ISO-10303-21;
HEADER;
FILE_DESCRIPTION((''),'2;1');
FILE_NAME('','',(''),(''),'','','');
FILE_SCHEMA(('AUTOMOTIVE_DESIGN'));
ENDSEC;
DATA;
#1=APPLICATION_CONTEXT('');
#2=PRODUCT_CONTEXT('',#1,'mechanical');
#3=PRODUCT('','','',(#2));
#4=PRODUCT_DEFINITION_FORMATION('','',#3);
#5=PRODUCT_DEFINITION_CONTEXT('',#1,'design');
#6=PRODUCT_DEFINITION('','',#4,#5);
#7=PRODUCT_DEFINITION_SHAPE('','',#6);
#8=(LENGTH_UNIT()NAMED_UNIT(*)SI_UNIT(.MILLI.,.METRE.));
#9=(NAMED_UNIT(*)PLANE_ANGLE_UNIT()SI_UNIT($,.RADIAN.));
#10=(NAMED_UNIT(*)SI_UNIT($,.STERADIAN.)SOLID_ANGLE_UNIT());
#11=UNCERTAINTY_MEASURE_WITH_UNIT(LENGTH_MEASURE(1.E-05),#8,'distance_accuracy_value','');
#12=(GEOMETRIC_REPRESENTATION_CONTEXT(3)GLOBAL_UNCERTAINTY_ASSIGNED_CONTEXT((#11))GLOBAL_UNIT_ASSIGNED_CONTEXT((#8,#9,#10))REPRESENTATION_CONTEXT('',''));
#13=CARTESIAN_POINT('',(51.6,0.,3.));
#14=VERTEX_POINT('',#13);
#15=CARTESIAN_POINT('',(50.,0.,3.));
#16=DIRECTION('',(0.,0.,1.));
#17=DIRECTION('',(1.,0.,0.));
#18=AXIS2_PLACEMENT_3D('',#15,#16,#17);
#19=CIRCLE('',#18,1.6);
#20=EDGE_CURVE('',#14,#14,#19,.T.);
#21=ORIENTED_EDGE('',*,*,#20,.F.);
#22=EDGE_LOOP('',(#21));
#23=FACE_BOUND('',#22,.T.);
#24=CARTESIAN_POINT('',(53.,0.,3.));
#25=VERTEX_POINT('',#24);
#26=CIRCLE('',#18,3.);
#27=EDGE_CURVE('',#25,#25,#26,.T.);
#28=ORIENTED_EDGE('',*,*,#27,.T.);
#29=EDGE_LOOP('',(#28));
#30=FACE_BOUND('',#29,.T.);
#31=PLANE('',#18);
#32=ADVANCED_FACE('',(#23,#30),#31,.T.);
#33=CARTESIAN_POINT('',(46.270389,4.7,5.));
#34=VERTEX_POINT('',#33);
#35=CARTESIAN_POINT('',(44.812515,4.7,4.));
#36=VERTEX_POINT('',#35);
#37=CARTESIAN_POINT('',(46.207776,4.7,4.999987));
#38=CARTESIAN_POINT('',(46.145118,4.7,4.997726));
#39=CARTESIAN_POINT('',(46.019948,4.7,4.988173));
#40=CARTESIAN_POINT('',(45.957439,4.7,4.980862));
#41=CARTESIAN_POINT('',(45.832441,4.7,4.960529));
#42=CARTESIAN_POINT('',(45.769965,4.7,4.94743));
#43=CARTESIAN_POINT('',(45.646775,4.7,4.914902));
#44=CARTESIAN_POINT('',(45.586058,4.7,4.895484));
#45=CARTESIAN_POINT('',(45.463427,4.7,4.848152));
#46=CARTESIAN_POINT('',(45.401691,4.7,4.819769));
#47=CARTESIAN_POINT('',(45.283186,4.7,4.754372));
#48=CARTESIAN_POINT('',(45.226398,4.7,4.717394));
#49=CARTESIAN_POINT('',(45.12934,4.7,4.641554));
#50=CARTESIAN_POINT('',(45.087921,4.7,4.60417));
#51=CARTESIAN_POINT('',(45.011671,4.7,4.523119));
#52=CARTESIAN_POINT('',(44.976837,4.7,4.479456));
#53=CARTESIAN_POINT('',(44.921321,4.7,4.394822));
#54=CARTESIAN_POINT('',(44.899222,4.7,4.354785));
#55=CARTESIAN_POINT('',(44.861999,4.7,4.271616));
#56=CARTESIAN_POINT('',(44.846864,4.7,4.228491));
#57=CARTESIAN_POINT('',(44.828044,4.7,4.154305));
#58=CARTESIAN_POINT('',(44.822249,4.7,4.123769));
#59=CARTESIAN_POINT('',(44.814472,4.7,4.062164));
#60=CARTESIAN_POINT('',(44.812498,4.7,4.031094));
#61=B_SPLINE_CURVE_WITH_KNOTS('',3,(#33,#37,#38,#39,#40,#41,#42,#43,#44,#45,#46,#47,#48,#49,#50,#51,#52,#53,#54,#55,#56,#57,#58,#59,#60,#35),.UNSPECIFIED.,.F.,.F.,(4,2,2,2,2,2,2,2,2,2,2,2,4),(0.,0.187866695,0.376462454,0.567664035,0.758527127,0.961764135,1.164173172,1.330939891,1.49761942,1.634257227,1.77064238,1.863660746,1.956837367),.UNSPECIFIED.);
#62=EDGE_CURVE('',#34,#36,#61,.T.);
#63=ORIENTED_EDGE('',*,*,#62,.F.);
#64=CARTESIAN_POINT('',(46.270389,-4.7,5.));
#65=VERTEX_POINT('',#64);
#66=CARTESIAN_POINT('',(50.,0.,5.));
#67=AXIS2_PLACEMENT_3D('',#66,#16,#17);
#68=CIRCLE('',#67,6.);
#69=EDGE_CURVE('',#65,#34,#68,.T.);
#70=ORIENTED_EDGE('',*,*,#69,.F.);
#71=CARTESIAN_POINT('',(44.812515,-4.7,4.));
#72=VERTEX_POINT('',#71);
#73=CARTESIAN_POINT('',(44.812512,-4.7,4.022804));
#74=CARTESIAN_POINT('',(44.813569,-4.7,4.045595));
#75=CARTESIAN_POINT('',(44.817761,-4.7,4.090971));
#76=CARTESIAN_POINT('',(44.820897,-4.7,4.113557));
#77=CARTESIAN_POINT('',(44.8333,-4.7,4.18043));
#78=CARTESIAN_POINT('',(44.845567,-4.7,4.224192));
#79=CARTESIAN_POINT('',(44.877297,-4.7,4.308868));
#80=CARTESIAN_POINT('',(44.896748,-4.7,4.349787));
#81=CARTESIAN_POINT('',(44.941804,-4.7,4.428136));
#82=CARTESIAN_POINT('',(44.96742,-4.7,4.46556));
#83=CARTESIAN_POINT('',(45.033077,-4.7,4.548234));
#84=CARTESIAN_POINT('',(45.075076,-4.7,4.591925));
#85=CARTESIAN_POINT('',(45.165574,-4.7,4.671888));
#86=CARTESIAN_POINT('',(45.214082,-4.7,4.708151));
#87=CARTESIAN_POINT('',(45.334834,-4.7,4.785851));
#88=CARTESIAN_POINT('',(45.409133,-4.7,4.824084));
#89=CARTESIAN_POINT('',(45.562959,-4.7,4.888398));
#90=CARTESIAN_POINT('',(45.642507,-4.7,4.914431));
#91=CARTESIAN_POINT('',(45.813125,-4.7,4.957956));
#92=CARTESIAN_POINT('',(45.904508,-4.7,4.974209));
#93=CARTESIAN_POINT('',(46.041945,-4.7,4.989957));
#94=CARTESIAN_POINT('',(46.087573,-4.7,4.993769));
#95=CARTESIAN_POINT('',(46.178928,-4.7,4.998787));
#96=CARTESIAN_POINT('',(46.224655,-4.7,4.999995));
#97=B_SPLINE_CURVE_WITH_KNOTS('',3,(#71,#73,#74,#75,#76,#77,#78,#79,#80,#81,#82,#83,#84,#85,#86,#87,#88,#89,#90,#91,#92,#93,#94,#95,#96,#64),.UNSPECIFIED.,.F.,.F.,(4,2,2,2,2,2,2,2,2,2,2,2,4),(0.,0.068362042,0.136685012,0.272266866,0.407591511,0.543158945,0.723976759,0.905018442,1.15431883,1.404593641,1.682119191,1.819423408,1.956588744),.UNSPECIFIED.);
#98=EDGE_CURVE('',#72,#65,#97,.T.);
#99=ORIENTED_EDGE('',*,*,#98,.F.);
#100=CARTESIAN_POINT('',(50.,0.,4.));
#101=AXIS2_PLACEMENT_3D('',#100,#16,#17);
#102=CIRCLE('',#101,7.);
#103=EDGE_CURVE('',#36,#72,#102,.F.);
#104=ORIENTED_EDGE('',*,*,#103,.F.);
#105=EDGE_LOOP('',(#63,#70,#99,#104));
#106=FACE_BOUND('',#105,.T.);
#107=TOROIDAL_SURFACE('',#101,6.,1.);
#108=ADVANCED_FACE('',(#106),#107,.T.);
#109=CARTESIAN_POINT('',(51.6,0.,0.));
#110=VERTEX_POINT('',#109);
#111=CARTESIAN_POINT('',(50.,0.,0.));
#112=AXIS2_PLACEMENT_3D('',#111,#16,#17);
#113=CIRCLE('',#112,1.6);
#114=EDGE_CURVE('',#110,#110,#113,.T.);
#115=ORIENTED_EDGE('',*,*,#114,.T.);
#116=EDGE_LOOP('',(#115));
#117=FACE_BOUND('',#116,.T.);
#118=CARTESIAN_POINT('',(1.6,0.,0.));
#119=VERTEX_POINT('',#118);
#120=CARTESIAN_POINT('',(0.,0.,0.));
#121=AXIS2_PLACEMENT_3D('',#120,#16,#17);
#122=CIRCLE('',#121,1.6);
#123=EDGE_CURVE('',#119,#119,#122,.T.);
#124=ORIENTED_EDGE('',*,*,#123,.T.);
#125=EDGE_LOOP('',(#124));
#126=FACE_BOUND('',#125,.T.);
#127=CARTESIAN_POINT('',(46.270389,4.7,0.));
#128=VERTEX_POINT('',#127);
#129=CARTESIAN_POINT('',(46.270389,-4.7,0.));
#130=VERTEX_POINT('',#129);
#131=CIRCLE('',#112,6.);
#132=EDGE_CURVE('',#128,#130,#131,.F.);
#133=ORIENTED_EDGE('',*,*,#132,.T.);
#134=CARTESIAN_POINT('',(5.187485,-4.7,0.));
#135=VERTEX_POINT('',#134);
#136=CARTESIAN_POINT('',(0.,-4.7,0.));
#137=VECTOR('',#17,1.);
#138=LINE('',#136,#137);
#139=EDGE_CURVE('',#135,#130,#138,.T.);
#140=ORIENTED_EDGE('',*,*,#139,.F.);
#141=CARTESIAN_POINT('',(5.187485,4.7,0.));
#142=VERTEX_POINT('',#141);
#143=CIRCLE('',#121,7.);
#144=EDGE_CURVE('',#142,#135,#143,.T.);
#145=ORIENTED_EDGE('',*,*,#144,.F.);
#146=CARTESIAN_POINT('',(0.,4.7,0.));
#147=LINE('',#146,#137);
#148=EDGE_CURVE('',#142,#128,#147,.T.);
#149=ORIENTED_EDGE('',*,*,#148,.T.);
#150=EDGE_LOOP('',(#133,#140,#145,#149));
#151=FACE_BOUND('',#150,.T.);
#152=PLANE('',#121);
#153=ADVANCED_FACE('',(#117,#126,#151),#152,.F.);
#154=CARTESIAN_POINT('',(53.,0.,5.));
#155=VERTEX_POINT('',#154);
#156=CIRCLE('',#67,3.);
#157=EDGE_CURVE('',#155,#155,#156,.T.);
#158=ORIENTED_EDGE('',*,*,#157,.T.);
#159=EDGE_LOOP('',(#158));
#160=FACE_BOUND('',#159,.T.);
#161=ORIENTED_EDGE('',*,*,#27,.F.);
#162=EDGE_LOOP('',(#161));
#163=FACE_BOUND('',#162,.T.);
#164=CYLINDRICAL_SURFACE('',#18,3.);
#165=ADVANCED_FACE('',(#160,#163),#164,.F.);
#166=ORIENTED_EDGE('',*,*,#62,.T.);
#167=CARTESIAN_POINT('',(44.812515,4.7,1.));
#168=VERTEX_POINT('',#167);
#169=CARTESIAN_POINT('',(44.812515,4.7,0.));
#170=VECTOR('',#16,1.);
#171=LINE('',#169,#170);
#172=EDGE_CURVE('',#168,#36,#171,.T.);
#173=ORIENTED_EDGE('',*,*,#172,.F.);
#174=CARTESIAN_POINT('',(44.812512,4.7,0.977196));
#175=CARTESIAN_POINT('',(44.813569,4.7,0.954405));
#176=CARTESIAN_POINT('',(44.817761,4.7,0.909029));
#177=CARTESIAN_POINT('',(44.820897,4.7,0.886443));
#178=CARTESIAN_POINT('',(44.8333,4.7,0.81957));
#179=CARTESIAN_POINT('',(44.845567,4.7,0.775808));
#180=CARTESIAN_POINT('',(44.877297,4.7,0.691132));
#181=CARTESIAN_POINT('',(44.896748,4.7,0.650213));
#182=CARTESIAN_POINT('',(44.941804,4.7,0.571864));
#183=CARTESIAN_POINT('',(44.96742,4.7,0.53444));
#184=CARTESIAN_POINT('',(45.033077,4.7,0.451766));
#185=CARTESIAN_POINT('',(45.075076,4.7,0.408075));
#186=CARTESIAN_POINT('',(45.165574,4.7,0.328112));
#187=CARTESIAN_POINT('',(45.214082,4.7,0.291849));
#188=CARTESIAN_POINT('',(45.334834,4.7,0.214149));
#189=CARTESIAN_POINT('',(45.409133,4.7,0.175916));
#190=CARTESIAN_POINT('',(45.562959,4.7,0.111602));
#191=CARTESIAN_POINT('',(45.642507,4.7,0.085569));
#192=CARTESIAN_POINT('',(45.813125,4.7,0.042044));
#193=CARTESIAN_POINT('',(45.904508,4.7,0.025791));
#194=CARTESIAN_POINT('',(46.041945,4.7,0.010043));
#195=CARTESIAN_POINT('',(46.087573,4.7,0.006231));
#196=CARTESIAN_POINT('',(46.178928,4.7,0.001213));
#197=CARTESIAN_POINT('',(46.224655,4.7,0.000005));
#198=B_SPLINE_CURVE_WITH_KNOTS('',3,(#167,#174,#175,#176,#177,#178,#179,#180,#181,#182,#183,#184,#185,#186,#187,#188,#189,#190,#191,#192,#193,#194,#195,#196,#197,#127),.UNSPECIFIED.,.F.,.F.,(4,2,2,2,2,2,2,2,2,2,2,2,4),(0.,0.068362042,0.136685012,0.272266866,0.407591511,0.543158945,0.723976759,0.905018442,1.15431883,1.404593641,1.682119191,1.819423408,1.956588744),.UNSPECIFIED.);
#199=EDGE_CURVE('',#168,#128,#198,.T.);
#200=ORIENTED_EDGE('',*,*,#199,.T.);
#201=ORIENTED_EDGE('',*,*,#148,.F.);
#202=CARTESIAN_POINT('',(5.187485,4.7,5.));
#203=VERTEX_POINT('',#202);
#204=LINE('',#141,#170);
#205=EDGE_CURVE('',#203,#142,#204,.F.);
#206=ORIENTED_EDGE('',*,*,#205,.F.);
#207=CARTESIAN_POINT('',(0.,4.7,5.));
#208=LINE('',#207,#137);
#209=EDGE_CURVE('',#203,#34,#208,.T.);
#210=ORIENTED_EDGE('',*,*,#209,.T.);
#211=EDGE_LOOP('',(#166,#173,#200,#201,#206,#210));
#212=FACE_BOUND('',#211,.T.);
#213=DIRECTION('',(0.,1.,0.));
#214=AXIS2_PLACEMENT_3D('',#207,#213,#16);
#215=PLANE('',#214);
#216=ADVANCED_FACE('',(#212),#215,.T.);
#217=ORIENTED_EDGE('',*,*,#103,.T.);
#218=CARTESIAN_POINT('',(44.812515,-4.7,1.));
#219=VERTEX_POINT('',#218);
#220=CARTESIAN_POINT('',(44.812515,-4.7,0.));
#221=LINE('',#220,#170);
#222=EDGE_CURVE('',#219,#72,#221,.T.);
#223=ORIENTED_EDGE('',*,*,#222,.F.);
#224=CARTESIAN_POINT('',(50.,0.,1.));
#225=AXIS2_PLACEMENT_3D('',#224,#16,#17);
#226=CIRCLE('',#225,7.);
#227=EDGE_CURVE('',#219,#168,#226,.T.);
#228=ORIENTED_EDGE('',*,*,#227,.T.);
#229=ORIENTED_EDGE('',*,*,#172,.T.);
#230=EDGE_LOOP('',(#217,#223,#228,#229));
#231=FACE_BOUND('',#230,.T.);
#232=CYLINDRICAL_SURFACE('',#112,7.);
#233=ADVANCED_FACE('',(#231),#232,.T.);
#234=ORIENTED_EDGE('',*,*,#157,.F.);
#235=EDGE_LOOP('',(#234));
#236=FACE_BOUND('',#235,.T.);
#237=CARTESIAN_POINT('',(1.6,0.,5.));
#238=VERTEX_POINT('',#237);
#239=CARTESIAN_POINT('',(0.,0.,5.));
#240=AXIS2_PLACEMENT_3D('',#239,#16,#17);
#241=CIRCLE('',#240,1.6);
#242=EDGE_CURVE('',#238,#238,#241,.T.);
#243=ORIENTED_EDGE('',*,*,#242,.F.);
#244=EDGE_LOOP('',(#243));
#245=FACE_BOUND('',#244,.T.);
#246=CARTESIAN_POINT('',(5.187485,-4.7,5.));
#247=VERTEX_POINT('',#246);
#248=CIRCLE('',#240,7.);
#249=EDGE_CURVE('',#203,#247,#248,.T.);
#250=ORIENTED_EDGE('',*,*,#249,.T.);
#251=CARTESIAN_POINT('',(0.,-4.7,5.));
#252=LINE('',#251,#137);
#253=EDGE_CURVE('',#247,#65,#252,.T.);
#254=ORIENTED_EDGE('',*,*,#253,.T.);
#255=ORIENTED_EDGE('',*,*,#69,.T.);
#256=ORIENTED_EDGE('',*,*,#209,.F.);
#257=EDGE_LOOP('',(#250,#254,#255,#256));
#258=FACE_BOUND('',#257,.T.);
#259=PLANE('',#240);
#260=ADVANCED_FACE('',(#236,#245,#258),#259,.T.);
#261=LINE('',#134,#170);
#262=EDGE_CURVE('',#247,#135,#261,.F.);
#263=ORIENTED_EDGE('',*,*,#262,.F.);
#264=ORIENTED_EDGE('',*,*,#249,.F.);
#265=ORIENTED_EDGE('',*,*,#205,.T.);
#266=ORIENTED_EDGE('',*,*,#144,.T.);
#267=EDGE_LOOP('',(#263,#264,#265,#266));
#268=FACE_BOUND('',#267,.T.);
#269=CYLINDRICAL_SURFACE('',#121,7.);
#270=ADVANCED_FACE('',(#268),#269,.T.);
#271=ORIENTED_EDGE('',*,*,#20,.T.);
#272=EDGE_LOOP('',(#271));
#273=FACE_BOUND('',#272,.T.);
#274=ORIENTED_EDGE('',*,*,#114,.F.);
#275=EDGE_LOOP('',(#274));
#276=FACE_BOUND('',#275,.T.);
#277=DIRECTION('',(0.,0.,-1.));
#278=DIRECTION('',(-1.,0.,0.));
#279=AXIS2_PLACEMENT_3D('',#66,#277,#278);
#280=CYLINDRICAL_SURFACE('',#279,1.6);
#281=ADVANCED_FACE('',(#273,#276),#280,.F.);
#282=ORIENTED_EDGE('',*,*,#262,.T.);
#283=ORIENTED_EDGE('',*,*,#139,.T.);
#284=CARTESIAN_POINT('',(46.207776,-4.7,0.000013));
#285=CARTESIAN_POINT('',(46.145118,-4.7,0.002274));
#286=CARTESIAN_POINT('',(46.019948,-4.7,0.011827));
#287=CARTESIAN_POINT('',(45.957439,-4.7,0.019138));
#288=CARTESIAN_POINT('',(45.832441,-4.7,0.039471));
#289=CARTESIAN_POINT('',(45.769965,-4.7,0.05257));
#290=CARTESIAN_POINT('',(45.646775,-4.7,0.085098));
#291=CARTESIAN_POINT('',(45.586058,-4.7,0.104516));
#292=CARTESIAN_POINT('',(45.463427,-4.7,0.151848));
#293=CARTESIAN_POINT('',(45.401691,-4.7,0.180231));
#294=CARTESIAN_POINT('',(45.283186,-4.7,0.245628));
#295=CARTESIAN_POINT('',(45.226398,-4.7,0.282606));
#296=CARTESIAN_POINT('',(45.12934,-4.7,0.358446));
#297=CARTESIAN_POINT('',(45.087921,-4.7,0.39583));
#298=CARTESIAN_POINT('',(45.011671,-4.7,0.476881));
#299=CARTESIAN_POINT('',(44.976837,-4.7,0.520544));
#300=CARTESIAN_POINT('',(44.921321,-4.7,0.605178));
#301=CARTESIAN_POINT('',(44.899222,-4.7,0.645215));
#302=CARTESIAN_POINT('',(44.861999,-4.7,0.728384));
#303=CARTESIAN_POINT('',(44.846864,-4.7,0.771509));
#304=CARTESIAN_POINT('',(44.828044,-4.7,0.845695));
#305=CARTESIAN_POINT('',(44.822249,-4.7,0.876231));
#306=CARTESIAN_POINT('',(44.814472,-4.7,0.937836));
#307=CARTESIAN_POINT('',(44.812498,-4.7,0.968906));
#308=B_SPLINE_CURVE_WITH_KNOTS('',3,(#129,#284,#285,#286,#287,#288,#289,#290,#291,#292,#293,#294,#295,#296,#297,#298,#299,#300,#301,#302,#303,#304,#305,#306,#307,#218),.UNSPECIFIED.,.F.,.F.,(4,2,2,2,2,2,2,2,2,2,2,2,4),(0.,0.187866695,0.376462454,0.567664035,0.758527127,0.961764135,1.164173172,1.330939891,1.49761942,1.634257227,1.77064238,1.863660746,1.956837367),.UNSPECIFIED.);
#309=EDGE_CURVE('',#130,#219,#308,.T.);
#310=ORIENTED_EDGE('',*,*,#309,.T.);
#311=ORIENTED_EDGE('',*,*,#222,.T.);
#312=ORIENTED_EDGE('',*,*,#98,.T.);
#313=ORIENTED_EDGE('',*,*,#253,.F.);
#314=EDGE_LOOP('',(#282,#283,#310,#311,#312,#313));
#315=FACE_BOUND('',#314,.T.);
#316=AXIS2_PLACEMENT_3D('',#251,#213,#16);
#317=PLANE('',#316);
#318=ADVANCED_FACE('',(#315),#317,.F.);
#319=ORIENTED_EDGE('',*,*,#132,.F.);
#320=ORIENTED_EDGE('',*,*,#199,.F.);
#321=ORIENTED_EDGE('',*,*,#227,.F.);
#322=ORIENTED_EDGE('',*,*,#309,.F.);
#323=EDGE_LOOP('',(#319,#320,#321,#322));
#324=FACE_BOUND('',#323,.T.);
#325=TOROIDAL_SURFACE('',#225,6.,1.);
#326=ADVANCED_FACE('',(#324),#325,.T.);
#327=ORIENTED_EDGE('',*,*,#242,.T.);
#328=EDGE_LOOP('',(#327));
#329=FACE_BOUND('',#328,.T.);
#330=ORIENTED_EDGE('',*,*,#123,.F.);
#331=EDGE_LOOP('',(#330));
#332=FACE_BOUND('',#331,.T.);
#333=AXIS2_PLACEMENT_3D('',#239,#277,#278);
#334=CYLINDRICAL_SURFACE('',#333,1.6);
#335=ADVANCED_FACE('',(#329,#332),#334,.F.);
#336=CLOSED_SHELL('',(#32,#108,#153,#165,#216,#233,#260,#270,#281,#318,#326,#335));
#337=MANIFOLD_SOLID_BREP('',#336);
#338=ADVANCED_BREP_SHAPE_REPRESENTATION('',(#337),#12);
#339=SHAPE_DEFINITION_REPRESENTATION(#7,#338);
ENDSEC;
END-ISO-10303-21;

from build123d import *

# Parameters (mm, degrees)
SKETCH1_R           = 1.6
BOSS_EXTRUDE1_DEPTH = 5
SKETCH2_R           = 3
CUT_EXTRUDE1_DEPTH  = 2
BOSS_EXTRUDE2_START = -5
SKETCH3_R           = 7
SKETCH3_R_2         = 4.7
BOSS_EXTRUDE2_DEPTH = 5
FILLET1_R           = 1


with BuildPart() as part:
    # Sketch1 → Boss-Extrude1 (new body)
    with BuildSketch(Plane.XY):
        with BuildLine():
            ThreePointArc((0, 4.7), (-4.7, 0), (0, -4.7))
            Line((0, -4.7), (50, -4.7))
            ThreePointArc((50, -4.7), (54.7, 0), (50, 4.7))
            Line((50, 4.7), (0, 4.7))
        make_face()
        Circle(SKETCH1_R, mode=Mode.SUBTRACT)
        with Locations((50, 0)):
            Circle(SKETCH1_R, mode=Mode.SUBTRACT)
    extrude(amount=BOSS_EXTRUDE1_DEPTH)

    # Sketch2 → Cut-Extrude1 (cut)
    with BuildSketch(Plane.XY.offset(5)):
        with Locations((50, 0)):
            Circle(SKETCH2_R)
    extrude(amount=-CUT_EXTRUDE1_DEPTH, mode=Mode.SUBTRACT)

    # Sketch3 → Boss-Extrude2 (add)
    # profile 1 of 2: a face of its own
    with BuildSketch(Plane.XY.offset(5).offset(BOSS_EXTRUDE2_START)):
        with Locations((50, 0)):
            Circle(SKETCH3_R)
        with Locations((50, 0)):
            Circle(SKETCH3_R_2, mode=Mode.SUBTRACT)
    # profile 2 of 2: a face of its own
    with BuildSketch(Plane.XY.offset(5).offset(BOSS_EXTRUDE2_START)):
        Circle(SKETCH3_R)
        Circle(SKETCH3_R_2, mode=Mode.SUBTRACT)
    extrude(amount=BOSS_EXTRUDE2_DEPTH)

    # Fillet1
    fillet1_edges = [part.edges().sort_by_distance(p)[0] for p in [
        (57, 0, 5),
        (57, 0, 0),
    ]]
    fillet(fillet1_edges, radius=FILLET1_R)


solid = part.part
